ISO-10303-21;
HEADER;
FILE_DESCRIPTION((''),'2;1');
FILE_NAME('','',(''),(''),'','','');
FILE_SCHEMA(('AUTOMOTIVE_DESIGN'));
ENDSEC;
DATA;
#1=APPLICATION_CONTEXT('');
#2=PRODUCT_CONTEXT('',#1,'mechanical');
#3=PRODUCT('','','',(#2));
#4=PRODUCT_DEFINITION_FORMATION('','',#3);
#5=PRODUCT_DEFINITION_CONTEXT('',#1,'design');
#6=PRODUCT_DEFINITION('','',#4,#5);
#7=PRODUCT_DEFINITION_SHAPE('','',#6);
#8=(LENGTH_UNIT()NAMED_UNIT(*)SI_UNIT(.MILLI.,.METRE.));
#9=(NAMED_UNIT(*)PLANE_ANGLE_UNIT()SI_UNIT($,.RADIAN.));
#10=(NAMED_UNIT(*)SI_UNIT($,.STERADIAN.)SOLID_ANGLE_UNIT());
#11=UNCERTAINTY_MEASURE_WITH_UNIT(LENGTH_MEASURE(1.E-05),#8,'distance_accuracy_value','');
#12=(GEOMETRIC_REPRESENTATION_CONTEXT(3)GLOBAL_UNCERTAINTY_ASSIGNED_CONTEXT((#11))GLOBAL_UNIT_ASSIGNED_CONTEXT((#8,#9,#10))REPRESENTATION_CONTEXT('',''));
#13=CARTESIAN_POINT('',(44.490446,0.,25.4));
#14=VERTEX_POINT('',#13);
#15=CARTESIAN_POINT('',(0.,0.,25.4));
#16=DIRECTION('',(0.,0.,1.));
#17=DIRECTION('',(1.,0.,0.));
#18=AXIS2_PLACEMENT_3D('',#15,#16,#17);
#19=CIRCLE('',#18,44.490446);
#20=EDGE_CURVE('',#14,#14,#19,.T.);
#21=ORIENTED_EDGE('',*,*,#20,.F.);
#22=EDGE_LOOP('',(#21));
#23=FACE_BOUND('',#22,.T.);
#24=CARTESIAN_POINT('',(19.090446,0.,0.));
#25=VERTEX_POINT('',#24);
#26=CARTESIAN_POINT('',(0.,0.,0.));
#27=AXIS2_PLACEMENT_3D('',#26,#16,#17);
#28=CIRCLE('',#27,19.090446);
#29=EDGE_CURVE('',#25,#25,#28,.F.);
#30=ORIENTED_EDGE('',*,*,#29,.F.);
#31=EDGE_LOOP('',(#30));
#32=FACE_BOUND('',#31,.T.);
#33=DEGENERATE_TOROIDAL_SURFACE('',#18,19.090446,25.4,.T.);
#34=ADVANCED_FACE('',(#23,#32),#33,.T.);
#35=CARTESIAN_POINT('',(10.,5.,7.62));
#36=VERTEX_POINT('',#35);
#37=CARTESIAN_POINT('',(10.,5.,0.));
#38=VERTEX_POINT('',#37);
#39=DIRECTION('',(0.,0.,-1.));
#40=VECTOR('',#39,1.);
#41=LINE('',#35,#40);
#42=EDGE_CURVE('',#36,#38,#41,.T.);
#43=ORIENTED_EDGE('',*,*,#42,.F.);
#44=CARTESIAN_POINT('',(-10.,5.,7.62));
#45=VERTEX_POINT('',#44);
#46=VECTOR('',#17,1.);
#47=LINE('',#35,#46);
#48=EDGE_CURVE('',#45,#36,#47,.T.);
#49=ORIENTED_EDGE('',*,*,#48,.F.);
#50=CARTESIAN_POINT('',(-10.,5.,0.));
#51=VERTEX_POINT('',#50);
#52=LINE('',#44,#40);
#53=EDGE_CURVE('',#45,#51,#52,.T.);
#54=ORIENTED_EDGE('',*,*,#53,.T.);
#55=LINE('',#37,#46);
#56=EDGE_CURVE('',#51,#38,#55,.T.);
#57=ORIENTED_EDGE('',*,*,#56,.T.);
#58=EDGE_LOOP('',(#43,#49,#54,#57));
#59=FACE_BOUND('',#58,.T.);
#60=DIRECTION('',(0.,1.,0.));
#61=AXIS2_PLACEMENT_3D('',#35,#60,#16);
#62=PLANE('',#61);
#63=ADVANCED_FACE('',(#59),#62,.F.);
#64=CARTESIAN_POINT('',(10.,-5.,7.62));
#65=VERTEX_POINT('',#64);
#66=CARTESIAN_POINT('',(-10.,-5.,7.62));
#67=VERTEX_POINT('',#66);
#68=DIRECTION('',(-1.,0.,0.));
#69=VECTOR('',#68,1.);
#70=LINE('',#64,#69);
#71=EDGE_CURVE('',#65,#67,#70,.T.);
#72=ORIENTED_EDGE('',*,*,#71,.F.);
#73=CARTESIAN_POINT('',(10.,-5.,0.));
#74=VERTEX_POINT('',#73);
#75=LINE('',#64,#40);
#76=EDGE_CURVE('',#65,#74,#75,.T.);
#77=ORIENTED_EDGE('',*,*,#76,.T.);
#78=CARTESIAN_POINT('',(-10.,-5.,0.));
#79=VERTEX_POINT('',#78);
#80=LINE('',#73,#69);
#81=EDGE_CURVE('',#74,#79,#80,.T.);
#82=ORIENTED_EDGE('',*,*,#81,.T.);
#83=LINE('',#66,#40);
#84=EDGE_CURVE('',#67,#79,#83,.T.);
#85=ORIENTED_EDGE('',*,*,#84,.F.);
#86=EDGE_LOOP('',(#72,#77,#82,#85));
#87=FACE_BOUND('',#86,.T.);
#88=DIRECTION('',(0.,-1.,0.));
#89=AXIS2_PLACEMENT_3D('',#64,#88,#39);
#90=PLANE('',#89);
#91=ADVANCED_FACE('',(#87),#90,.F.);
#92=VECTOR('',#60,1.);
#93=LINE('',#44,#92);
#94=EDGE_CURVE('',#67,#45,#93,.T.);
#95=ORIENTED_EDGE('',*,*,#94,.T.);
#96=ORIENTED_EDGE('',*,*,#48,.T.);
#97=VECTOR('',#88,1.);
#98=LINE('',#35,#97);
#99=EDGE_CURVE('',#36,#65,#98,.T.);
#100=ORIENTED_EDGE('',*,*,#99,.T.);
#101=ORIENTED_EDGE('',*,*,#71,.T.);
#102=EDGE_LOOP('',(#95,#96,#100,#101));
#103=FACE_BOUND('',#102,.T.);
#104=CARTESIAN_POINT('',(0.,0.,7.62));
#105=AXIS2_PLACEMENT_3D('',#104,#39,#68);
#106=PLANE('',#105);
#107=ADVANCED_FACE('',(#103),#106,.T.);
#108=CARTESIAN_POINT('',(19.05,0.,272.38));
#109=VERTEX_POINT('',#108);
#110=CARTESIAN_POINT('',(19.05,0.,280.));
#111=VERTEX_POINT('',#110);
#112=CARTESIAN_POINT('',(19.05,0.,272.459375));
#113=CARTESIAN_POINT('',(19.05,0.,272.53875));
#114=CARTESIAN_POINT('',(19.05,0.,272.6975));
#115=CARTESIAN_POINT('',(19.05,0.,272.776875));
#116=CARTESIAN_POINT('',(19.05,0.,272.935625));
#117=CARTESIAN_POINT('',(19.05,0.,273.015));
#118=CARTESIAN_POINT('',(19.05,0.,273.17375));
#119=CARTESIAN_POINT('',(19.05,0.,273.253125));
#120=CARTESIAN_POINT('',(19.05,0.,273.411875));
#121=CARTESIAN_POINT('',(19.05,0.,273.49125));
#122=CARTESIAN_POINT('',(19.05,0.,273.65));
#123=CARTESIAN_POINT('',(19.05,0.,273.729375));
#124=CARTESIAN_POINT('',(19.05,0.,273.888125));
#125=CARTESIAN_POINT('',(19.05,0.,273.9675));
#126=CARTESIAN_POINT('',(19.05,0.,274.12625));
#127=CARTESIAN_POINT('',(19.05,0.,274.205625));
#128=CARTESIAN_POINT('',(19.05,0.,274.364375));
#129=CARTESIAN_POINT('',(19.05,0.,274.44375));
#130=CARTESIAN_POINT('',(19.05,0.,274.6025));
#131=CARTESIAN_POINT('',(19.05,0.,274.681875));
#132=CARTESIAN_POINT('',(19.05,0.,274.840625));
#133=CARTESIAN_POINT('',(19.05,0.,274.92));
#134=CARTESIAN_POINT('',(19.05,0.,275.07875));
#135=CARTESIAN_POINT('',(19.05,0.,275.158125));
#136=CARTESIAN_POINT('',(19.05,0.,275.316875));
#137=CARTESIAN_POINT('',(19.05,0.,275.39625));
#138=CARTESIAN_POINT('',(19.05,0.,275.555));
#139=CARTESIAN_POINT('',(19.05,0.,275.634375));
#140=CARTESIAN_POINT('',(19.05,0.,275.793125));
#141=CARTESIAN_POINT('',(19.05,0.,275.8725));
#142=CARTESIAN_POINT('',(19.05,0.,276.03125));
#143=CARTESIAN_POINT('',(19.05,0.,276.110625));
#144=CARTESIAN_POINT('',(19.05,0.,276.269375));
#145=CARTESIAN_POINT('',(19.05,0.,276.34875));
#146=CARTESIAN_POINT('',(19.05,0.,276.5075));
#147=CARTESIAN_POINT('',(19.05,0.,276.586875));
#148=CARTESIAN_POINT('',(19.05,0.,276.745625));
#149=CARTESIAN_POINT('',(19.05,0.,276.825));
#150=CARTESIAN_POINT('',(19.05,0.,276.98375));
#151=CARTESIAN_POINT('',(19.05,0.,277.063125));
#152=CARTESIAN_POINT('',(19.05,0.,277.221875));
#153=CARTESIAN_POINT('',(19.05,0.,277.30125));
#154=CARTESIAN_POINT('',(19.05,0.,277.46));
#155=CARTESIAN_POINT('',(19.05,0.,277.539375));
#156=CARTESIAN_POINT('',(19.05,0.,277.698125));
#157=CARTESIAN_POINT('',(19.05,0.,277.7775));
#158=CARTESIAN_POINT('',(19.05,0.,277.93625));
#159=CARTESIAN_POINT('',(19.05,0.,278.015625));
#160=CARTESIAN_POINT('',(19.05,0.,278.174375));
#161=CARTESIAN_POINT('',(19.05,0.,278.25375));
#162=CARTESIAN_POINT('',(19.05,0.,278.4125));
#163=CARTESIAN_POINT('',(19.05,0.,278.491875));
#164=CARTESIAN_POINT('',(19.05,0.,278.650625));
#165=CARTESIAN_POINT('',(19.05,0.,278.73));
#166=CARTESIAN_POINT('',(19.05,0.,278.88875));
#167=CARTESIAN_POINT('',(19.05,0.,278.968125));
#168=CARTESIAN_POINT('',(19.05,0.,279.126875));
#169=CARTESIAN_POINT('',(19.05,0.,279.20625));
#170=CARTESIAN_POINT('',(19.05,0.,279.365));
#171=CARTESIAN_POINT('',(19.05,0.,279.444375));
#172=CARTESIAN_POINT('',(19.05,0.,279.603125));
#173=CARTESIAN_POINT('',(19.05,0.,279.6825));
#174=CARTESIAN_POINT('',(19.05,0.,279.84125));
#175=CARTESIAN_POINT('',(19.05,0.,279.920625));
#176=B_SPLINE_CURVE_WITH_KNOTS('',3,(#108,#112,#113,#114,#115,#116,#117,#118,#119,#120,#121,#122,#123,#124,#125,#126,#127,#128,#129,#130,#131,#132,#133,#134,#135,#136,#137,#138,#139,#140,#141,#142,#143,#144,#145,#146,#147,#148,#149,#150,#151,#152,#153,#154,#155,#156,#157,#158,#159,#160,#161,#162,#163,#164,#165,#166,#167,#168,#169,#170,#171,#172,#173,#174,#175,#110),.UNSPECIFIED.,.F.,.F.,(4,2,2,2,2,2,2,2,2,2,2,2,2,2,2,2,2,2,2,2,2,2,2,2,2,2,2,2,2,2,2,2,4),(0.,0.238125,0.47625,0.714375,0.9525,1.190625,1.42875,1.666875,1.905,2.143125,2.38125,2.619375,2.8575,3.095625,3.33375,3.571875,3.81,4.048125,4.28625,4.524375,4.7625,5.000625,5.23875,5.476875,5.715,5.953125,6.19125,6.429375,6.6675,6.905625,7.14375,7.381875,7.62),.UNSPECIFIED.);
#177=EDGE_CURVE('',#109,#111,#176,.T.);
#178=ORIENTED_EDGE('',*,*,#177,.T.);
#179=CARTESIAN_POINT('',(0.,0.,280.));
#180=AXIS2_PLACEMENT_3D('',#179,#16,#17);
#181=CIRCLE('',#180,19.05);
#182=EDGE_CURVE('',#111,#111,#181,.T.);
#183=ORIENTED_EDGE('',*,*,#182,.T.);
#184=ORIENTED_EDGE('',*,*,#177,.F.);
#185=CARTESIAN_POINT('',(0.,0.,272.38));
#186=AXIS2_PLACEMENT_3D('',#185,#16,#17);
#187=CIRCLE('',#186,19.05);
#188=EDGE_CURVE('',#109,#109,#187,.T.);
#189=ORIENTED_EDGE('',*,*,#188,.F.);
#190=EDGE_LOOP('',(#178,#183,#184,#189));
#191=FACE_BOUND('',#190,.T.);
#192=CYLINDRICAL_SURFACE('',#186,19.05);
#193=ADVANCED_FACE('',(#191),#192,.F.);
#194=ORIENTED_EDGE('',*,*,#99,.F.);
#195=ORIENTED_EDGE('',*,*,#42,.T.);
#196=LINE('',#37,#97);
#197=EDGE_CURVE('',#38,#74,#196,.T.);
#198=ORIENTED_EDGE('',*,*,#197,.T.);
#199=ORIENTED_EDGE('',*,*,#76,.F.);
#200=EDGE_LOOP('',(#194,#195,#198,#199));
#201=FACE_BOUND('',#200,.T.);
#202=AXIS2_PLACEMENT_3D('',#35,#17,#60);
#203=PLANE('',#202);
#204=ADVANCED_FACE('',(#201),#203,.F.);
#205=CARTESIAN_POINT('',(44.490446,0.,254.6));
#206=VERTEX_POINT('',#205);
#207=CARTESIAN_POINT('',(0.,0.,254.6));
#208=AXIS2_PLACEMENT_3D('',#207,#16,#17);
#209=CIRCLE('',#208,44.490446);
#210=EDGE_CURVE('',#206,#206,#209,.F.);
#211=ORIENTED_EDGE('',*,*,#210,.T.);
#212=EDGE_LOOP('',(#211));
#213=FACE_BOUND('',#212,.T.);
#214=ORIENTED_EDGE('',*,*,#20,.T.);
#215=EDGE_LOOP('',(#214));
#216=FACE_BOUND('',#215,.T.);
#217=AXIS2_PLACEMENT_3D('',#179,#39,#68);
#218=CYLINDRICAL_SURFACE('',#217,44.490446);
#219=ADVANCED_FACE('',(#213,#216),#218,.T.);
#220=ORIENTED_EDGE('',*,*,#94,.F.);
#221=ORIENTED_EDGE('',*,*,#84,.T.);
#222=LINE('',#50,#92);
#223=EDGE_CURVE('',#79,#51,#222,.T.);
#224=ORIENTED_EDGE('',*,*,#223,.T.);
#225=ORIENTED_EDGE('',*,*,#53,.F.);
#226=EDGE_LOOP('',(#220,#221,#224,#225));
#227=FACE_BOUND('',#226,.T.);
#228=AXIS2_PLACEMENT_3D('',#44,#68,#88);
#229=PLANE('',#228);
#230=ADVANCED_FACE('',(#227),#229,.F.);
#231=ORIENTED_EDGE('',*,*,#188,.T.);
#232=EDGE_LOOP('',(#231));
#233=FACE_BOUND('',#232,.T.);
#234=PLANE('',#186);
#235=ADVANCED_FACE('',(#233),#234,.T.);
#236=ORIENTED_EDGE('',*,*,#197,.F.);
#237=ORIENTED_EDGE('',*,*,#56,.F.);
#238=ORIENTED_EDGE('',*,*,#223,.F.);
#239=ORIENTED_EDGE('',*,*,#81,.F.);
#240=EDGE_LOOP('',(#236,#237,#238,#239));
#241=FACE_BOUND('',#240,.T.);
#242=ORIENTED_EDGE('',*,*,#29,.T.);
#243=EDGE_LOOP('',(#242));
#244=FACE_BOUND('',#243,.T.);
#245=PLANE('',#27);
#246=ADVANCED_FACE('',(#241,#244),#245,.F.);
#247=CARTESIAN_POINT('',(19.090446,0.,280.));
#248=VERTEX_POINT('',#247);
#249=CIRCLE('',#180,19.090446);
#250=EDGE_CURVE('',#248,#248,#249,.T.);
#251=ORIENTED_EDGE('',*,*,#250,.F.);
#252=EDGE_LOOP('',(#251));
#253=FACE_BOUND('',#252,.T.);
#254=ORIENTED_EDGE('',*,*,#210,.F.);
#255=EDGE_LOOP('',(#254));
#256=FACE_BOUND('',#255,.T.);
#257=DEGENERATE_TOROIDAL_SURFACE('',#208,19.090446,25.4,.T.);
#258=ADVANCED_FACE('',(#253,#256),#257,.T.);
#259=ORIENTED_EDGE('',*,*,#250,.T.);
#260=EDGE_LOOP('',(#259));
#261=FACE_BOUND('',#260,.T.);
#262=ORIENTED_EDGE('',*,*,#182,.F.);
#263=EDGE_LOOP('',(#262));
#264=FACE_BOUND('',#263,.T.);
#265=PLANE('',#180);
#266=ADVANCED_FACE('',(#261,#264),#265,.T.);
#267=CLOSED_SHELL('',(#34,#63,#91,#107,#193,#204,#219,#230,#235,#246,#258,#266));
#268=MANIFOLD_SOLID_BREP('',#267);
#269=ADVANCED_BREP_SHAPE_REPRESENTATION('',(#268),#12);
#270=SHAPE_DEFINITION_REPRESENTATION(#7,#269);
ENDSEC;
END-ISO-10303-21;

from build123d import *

# Parameters (mm, degrees)
SKETCH1_R          = 44.49044586
EXTRUDE1_DEPTH     = 280
FILLET1_R          = 25.4
SKETCH3_W          = 20
SKETCH3_H          = 10
CUT_EXTRUDE1_DEPTH = 7.62
SKETCH4_R          = 19.05
CUT_EXTRUDE2_DEPTH = 7.62


with BuildPart() as part:
    # Sketch1 → Extrude1 (new body)
    with BuildSketch(Plane.XY):
        Circle(SKETCH1_R)
    extrude(amount=EXTRUDE1_DEPTH)

    # Fillet1
    fillet1_edges = [part.edges().sort_by_distance(p)[0] for p in [
        (-44.49044586, 0, 0),
        (-44.49044586, 0, 280),
    ]]
    fillet(fillet1_edges, radius=FILLET1_R)

    # Sketch3 → Cut-Extrude1 (cut)
    with BuildSketch(Plane(origin=(0, 0, 0), x_dir=(-1, 0, 0), z_dir=(0, 0, -1))):
        Rectangle(SKETCH3_W, SKETCH3_H)
    extrude(amount=-CUT_EXTRUDE1_DEPTH, mode=Mode.SUBTRACT)

    # Sketch4 → Cut-Extrude2 (cut)
    with BuildSketch(Plane.XY.offset(280)):
        Circle(SKETCH4_R)
    extrude(amount=-CUT_EXTRUDE2_DEPTH, mode=Mode.SUBTRACT)


solid = part.part
